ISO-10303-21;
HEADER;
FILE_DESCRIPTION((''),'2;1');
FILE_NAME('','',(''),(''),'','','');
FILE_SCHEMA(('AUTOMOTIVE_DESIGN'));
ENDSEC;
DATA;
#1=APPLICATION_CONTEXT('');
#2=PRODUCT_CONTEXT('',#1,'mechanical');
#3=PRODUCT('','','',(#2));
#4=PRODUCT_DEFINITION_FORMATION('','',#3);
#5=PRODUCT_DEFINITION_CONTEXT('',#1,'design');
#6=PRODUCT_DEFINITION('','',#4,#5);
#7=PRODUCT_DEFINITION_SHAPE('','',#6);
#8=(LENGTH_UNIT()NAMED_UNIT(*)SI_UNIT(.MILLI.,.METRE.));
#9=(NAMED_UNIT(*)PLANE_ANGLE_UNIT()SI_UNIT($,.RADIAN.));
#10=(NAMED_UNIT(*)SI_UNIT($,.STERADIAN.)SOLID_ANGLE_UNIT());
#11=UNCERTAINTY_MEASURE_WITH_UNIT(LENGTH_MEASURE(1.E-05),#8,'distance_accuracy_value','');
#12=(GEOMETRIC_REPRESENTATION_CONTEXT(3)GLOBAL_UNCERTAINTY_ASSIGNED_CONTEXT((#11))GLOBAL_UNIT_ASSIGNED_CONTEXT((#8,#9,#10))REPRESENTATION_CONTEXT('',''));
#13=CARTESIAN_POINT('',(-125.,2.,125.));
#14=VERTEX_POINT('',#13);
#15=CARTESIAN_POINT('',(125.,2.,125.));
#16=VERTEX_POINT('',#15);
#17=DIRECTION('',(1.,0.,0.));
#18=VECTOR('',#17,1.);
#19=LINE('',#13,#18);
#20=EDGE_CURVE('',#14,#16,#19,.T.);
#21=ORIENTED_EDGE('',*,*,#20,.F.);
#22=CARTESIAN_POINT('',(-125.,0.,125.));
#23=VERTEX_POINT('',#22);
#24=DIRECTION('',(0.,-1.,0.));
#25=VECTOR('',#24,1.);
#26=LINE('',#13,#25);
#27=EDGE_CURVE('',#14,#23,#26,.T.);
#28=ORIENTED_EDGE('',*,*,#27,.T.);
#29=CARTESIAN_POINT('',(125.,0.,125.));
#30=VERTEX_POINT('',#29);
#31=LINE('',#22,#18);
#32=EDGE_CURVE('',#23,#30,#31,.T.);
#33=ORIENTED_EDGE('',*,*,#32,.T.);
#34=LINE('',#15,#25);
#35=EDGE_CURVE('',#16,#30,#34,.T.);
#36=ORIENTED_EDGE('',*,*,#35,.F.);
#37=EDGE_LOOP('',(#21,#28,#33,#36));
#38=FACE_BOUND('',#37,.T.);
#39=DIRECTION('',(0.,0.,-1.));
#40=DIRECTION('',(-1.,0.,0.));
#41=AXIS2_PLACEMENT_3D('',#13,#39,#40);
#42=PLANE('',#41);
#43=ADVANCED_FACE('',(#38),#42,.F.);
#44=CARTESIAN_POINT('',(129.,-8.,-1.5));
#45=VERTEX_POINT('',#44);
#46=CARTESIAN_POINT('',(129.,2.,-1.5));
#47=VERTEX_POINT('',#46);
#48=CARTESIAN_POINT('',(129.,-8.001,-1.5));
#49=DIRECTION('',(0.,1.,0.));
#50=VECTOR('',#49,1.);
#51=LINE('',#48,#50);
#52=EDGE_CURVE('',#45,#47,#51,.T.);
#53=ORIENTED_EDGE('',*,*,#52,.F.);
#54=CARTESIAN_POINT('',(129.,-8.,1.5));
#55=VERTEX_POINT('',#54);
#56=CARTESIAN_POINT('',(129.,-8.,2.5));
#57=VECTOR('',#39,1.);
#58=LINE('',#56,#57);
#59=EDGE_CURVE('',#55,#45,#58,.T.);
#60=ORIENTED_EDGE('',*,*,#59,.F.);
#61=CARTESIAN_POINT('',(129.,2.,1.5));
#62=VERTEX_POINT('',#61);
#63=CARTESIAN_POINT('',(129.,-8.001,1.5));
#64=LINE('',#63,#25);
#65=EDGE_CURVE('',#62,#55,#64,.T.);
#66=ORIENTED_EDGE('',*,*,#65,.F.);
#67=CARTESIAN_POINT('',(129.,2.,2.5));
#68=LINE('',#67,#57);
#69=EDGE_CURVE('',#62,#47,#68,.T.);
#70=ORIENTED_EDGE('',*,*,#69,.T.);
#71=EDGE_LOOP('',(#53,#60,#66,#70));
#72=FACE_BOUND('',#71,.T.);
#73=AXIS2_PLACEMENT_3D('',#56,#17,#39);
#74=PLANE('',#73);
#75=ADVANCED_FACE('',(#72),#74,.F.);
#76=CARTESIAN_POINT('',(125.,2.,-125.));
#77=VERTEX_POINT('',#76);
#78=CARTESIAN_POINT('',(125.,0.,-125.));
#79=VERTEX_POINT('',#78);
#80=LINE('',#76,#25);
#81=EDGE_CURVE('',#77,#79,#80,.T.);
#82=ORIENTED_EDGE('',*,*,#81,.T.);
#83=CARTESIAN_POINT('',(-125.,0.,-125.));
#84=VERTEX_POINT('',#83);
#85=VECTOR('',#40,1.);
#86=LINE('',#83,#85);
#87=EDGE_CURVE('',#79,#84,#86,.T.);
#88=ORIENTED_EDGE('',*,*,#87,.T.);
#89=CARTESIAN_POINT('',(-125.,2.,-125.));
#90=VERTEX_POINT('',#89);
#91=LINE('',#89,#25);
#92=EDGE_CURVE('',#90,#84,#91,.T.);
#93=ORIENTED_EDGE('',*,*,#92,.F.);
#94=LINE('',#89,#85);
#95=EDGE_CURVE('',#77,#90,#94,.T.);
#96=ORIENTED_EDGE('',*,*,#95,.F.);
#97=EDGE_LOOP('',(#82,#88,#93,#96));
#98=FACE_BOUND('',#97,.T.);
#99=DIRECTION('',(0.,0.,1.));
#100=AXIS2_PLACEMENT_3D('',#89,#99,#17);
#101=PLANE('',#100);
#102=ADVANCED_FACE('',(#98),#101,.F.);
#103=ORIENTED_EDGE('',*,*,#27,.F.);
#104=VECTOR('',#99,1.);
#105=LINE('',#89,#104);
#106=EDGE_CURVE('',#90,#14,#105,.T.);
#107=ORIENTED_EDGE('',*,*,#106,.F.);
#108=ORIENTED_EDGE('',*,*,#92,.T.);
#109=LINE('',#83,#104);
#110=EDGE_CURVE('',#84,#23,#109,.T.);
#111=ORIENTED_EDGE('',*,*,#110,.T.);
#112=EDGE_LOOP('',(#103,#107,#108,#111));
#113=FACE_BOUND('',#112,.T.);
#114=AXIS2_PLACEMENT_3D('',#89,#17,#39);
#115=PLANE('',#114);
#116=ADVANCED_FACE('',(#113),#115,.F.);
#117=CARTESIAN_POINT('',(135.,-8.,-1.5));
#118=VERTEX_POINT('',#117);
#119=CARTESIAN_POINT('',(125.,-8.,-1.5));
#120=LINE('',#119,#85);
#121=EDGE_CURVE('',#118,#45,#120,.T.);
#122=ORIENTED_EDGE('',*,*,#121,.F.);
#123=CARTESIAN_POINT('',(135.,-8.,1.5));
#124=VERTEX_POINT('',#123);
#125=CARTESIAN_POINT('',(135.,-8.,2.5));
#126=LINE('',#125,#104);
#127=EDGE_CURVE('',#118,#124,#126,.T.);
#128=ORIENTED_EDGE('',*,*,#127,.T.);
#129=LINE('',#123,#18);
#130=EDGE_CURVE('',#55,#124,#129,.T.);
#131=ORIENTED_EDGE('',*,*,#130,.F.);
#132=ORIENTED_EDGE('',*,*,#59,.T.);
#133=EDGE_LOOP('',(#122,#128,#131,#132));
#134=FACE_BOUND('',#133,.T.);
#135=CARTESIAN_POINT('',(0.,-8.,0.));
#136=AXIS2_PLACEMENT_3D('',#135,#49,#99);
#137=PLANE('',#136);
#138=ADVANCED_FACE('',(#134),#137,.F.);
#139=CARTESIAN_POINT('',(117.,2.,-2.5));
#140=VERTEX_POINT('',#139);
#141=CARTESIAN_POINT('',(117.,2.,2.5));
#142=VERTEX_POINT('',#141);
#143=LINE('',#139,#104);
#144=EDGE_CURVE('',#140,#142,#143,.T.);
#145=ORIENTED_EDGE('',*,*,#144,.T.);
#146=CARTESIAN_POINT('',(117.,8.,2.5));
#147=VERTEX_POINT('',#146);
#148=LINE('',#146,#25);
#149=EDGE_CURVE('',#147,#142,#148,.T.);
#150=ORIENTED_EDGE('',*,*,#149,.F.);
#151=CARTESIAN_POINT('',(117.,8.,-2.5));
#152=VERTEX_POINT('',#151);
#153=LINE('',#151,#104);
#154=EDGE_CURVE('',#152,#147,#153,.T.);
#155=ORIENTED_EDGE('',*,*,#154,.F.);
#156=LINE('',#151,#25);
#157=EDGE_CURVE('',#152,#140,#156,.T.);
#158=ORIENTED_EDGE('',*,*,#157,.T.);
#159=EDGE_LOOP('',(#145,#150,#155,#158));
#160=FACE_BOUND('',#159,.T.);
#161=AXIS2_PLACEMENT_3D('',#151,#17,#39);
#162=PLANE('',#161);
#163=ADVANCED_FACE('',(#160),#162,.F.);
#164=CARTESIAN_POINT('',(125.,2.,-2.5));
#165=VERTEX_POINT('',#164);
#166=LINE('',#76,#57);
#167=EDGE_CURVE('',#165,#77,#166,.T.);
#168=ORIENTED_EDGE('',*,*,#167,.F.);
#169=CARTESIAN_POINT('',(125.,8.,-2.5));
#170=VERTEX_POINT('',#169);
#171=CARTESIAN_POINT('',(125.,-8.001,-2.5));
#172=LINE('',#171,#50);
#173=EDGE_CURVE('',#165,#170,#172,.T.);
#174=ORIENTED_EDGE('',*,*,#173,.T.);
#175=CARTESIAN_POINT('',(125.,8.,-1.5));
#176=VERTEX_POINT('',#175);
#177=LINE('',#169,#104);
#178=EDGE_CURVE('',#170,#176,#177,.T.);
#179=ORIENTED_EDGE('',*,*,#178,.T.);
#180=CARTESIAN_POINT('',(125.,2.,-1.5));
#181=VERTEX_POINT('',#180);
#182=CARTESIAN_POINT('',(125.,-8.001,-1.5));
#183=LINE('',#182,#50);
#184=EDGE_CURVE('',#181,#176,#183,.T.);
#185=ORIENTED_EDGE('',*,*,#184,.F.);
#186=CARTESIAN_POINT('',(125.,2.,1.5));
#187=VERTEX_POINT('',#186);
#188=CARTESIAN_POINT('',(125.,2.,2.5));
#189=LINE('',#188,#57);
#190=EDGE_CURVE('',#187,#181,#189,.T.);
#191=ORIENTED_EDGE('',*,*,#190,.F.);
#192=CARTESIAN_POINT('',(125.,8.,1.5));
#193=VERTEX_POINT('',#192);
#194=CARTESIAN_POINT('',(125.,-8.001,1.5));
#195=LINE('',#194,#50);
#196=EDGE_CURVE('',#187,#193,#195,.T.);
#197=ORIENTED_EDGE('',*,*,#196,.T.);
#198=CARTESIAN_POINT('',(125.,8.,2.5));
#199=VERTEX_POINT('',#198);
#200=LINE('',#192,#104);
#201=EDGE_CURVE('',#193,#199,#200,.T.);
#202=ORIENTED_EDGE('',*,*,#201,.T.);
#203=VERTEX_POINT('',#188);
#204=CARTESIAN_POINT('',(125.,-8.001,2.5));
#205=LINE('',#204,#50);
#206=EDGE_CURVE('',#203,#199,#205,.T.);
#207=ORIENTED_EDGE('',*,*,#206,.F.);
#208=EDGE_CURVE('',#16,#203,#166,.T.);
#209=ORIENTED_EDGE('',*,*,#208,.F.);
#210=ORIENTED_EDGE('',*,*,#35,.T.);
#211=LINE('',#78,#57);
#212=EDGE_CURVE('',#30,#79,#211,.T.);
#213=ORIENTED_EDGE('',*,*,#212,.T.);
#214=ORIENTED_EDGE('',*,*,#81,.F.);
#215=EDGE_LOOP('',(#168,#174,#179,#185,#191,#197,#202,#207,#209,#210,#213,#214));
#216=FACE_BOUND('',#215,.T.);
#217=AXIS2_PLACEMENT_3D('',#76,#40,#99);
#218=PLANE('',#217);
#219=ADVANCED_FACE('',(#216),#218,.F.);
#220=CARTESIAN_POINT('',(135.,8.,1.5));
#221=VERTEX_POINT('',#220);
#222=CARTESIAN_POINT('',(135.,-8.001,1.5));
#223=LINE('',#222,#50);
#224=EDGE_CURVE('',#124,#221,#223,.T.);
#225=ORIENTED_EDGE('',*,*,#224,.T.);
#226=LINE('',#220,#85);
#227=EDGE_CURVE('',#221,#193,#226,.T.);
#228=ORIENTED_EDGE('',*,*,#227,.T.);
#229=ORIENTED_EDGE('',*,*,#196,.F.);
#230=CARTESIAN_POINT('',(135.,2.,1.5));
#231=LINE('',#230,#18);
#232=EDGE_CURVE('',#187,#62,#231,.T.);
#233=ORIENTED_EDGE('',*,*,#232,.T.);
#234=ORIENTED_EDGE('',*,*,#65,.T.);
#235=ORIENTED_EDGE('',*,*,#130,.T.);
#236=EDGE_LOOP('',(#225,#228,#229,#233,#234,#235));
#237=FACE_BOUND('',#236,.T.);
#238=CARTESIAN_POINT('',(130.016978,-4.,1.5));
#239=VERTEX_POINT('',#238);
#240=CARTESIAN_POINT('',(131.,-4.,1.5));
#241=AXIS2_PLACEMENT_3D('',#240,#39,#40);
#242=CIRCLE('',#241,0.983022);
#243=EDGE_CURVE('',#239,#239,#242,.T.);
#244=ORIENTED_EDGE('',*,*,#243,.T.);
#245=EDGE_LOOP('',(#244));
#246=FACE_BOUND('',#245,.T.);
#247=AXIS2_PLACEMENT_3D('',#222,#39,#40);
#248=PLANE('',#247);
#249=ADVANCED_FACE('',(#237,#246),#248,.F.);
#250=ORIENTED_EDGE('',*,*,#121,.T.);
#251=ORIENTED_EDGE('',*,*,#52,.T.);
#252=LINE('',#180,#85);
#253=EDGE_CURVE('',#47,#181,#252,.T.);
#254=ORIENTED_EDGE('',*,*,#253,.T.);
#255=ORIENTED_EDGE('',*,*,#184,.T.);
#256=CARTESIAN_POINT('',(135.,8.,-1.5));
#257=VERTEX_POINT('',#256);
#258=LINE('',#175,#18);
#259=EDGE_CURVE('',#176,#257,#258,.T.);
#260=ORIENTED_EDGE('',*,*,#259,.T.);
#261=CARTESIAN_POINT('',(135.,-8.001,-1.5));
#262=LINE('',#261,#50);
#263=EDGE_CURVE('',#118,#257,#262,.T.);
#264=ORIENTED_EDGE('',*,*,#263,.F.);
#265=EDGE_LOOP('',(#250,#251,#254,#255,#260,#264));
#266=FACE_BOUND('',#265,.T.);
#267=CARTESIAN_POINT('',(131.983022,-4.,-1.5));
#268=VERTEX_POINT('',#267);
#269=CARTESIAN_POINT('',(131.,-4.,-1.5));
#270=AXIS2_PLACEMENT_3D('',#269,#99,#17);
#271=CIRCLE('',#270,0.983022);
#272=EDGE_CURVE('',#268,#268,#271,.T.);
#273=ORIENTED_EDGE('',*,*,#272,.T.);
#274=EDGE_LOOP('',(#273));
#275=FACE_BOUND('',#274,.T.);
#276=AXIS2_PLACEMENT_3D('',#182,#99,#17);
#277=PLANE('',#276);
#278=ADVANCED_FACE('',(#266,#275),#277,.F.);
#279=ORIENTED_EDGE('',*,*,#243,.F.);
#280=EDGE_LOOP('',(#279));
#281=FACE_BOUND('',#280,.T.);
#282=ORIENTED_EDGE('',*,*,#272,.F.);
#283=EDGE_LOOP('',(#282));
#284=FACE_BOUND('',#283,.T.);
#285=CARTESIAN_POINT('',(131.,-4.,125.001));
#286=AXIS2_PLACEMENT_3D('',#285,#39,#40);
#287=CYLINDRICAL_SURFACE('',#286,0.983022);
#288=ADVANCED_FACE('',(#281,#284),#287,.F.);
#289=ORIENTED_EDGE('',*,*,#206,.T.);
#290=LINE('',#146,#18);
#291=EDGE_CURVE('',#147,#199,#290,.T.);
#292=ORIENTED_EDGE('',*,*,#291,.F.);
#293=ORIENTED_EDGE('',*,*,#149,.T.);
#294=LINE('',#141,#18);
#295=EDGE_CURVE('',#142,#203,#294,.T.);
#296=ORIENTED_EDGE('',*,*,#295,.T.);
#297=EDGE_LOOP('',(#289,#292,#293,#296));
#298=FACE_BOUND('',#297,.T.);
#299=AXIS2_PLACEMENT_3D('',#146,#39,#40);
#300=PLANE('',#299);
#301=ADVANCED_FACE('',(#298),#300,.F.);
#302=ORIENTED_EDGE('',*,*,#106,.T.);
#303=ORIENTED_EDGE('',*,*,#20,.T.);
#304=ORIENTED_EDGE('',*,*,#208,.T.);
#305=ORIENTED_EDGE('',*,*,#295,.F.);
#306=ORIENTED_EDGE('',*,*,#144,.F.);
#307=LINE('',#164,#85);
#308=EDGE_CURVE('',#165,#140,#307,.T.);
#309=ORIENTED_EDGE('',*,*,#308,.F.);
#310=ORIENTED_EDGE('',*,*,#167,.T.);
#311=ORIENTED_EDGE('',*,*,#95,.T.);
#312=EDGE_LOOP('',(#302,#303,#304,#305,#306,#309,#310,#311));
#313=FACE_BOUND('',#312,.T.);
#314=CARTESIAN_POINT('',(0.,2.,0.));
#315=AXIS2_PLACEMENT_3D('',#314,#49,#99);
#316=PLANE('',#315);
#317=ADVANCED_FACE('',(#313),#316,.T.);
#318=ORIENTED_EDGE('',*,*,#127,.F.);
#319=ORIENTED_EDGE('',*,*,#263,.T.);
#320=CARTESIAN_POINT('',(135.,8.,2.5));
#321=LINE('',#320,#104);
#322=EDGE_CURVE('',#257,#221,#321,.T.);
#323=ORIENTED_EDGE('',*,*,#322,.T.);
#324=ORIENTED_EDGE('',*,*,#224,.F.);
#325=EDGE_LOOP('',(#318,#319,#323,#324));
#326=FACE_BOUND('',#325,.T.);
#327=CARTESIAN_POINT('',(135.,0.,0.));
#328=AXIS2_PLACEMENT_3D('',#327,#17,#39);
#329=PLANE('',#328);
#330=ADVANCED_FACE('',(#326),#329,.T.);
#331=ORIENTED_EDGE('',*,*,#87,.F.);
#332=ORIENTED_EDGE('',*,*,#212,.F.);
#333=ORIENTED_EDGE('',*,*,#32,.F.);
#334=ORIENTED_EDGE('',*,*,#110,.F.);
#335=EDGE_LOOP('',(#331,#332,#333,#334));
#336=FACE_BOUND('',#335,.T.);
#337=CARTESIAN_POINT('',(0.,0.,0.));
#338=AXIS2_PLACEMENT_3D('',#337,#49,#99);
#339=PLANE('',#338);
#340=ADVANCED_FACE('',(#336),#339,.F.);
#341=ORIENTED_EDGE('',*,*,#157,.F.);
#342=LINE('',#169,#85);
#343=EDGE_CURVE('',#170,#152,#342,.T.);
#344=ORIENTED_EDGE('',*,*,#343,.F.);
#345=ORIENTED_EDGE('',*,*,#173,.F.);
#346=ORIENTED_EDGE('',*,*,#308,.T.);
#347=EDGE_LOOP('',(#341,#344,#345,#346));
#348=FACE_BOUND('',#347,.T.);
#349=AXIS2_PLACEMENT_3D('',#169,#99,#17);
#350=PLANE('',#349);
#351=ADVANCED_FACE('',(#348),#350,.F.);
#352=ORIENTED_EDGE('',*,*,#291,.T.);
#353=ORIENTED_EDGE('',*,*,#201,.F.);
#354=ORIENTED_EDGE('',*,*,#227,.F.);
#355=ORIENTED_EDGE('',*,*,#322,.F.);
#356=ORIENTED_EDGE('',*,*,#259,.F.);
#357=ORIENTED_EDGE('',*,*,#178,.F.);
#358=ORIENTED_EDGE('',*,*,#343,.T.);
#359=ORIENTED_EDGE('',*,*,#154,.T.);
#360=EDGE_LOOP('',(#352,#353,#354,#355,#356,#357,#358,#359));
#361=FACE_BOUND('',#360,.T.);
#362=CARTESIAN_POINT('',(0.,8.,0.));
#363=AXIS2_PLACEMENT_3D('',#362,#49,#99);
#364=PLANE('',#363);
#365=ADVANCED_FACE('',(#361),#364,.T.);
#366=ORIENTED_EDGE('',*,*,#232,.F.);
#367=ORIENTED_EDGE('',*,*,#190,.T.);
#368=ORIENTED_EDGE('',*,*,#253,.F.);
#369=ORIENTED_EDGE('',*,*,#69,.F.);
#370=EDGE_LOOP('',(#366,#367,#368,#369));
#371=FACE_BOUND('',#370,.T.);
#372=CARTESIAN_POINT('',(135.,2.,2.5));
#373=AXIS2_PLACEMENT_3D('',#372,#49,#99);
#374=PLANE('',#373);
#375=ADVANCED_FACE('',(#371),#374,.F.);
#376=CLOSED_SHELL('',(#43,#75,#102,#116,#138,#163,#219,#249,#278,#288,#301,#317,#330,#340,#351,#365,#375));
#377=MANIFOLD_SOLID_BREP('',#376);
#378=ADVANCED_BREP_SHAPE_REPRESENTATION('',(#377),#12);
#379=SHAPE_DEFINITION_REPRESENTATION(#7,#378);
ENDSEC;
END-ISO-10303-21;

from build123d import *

# Parameters (mm, degrees)
CROQUIS1_W              = 250
CROQUIS1_H              = 250
SALIENTE_EXTRUIR1_DEPTH = 2
CROQUIS2_W              = 8
CROQUIS2_H              = 5
SALIENTE_EXTRUIR2_DEPTH = 6
CROQUIS3_W              = 5
CROQUIS3_H              = 6
SALIENTE_EXTRUIR3_DEPTH = 10
CROQUIS4_W              = 6
CROQUIS4_H              = 5
SALIENTE_EXTRUIR4_DEPTH = 10
CORTAR_EXTRUIR1_REACH   = 187.864
CROQUIS5_R              = 0.983022383
CORTAR_EXTRUIR2_REACH   = 186.678
CROQUIS6_W              = 10
CROQUIS6_H              = 1


with BuildPart() as part:
    # Croquis1 → Saliente-Extruir1 (new body)
    with BuildSketch(Plane(origin=(0, 0, 0), x_dir=(1, 0, 0), z_dir=(0, 1, 0))):
        Rectangle(CROQUIS1_W, CROQUIS1_H)
    extrude(amount=SALIENTE_EXTRUIR1_DEPTH)

    # Croquis2 → Saliente-Extruir2 (add)
    with BuildSketch(Plane(origin=(0, 2, 0), x_dir=(1, 0, 0), z_dir=(0, 1, 0))):
        with Locations((121, 0)):
            Rectangle(CROQUIS2_W, CROQUIS2_H)
    extrude(amount=SALIENTE_EXTRUIR2_DEPTH)

    # Croquis3 → Saliente-Extruir3 (add)
    with BuildSketch(Plane(origin=(125, 0, 0), x_dir=(0, 0, -1), z_dir=(1, 0, 0))):
        with Locations((0, 5)):
            Rectangle(CROQUIS3_W, CROQUIS3_H)
    extrude(amount=SALIENTE_EXTRUIR3_DEPTH)

    # Croquis4 → Saliente-Extruir4 (add)
    with BuildSketch(Plane.XZ.offset(-2)):
        with Locations((132, 0)):
            Rectangle(CROQUIS4_W, CROQUIS4_H)
    extrude(amount=SALIENTE_EXTRUIR4_DEPTH)

    # Croquis5 → Cortar-Extruir1 (cut, up to next)
    with BuildSketch(Plane(origin=(0, 0, -2.5), x_dir=(-1, 0, 0), z_dir=(0, 0, -1)), mode=Mode.PRIVATE) as cortar_extruir1_sk1:
        with Locations((-131, -4)):
            Circle(CROQUIS5_R)
    cortar_extruir1_tool1 = extrude(cortar_extruir1_sk1.sketch, amount=-CORTAR_EXTRUIR1_REACH, mode=Mode.PRIVATE) & part.part
    add(cortar_extruir1_tool1.solids().sort_by_distance((131, -4, -2.5))[0], mode=Mode.SUBTRACT)

    # Croquis6 → Cortar-Extruir2 (cut, up to next)
    with BuildSketch(Plane(origin=(0, 8, 0), x_dir=(1, 0, 0), z_dir=(0, 1, 0)), mode=Mode.PRIVATE) as cortar_extruir2_sk1:
        with Locations((130, -2)):
            Rectangle(CROQUIS6_W, CROQUIS6_H)
    cortar_extruir2_tool1 = extrude(cortar_extruir2_sk1.sketch, amount=-CORTAR_EXTRUIR2_REACH, mode=Mode.PRIVATE) & part.part
    # Croquis6 → Cortar-Extruir2 (cut, up to next)
    with BuildSketch(Plane(origin=(0, 8, 0), x_dir=(1, 0, 0), z_dir=(0, 1, 0)), mode=Mode.PRIVATE) as cortar_extruir2_sk2:
        with Locations((130, 2)):
            Rectangle(CROQUIS6_W, CROQUIS6_H)
    cortar_extruir2_tool2 = extrude(cortar_extruir2_sk2.sketch, amount=-CORTAR_EXTRUIR2_REACH, mode=Mode.PRIVATE) & part.part
    add(cortar_extruir2_tool1.solids().sort_by_distance((130, 8, 2))[0], mode=Mode.SUBTRACT)
    add(cortar_extruir2_tool2.solids().sort_by_distance((130, 8, -2))[0], mode=Mode.SUBTRACT)


solid = part.part
